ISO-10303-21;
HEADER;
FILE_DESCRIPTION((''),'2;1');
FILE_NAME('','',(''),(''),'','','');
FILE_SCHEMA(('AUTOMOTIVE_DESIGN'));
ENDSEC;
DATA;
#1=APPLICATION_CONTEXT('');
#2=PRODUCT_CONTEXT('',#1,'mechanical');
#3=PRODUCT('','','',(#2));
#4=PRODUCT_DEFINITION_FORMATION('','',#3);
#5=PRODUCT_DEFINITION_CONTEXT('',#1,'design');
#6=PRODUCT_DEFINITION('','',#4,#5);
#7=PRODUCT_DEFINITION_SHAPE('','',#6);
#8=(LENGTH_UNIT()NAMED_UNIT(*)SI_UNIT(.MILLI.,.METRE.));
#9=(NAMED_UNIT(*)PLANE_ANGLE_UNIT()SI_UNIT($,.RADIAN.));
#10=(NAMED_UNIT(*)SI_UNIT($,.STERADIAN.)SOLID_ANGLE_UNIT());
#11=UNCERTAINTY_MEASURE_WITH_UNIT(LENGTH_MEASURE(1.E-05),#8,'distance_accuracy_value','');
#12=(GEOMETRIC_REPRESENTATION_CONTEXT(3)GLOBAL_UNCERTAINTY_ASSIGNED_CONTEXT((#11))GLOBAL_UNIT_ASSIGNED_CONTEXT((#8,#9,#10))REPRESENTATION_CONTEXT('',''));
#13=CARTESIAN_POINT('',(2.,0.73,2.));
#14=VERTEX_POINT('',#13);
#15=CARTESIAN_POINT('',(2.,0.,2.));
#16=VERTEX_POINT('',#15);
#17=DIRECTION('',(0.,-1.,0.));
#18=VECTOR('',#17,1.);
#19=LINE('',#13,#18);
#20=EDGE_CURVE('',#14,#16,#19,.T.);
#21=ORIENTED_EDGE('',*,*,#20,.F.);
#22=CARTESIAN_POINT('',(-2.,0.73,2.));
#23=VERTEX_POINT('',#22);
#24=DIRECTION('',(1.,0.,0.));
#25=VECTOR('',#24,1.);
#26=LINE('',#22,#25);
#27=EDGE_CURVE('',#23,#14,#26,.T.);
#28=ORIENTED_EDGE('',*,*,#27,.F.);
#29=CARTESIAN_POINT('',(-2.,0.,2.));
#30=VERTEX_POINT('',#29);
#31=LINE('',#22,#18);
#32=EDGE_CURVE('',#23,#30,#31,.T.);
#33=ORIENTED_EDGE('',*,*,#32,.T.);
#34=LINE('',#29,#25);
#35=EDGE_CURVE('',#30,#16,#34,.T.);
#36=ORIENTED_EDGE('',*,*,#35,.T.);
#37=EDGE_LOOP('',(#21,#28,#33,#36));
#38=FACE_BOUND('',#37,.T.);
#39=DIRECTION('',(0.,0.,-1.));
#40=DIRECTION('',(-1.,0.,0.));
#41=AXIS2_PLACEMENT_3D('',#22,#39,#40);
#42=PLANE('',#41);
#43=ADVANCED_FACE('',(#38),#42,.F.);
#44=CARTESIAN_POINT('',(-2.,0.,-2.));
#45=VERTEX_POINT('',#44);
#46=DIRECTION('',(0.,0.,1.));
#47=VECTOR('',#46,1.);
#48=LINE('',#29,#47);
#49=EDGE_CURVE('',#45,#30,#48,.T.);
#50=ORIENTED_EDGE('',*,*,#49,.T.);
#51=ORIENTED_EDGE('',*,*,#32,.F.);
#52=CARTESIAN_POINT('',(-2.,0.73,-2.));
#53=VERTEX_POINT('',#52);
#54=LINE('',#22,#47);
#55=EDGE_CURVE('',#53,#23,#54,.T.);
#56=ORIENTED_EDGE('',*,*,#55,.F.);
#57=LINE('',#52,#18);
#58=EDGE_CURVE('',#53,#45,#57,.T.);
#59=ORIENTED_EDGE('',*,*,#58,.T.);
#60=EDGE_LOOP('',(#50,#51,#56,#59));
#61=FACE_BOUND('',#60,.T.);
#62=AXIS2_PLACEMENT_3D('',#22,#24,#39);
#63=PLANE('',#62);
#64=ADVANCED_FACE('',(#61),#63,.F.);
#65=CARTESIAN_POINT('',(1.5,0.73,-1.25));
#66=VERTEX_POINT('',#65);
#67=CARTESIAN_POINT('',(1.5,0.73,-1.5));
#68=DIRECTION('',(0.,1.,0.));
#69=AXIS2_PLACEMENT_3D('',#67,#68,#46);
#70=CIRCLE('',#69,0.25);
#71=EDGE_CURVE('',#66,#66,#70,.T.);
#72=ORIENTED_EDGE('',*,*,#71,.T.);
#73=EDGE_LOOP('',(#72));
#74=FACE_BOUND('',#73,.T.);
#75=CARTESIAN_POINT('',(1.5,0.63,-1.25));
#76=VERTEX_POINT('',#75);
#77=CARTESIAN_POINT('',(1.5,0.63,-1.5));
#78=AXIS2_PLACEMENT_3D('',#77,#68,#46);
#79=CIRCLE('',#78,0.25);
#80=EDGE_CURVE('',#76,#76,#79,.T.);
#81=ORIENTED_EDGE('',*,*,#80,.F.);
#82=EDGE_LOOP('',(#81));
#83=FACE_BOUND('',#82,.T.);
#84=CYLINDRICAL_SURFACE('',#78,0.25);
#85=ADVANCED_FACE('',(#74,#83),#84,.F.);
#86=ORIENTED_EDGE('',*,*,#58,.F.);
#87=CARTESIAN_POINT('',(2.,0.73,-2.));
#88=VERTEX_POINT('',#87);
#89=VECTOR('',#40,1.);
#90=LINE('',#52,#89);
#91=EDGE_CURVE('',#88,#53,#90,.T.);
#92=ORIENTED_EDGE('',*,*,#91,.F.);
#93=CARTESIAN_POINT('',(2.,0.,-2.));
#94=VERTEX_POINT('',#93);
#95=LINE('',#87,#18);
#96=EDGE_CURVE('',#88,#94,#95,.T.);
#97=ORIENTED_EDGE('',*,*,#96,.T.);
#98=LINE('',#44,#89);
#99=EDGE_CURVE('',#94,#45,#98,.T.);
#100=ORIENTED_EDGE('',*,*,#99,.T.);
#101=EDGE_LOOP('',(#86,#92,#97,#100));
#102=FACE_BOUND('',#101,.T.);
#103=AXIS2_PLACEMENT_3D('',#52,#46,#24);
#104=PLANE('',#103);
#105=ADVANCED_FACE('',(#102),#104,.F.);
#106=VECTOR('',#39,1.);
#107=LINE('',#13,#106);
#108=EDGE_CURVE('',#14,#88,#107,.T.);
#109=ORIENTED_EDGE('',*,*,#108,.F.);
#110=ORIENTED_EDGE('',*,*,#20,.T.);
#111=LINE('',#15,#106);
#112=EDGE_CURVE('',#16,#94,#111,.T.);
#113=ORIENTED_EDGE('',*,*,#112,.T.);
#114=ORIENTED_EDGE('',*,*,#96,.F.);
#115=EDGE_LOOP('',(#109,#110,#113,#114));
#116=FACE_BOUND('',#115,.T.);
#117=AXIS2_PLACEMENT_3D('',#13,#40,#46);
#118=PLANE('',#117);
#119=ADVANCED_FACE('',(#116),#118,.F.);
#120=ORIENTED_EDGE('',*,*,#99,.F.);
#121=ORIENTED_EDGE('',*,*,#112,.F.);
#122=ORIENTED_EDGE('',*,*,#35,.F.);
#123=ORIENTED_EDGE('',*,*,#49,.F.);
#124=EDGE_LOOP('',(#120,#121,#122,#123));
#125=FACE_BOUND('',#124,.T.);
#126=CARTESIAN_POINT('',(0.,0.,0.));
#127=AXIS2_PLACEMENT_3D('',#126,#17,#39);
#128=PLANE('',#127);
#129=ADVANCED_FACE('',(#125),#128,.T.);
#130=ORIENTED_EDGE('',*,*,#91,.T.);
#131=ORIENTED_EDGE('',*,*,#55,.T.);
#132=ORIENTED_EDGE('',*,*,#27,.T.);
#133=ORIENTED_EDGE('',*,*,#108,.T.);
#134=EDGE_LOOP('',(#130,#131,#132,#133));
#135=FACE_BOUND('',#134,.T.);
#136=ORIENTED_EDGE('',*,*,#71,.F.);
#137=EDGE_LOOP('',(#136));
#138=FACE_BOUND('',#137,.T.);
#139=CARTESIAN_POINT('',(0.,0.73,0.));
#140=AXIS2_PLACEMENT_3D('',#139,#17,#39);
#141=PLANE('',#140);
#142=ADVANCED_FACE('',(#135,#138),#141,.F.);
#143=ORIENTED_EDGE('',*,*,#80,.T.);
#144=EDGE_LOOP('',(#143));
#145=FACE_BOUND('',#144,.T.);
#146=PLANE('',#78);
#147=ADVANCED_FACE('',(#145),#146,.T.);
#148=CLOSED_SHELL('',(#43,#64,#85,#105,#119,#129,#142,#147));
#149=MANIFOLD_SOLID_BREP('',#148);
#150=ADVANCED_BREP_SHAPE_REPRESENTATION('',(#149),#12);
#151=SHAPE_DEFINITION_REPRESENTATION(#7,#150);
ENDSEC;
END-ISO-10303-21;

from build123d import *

# Parameters (mm, degrees)
SKETCH1_W           = 4
SKETCH1_H           = 4
BOSS_EXTRUDE1_DEPTH = 0.73
SKETCH2_R           = 0.25
CUT_EXTRUDE1_DEPTH  = 0.1


with BuildPart() as part:
    # Sketch1 → Boss-Extrude1 (new body)
    with BuildSketch(Plane(origin=(0, 0, 0), x_dir=(1, 0, 0), z_dir=(0, 1, 0))):
        Rectangle(SKETCH1_W, SKETCH1_H)
    extrude(amount=BOSS_EXTRUDE1_DEPTH)

    # Sketch2 → Cut-Extrude1 (cut)
    with BuildSketch(Plane(origin=(0, 0.73, 0), x_dir=(1, 0, 0), z_dir=(0, 1, 0))):
        with Locations((1.5, 1.5)):
            Circle(SKETCH2_R)
    extrude(amount=-CUT_EXTRUDE1_DEPTH, mode=Mode.SUBTRACT)


solid = part.part
